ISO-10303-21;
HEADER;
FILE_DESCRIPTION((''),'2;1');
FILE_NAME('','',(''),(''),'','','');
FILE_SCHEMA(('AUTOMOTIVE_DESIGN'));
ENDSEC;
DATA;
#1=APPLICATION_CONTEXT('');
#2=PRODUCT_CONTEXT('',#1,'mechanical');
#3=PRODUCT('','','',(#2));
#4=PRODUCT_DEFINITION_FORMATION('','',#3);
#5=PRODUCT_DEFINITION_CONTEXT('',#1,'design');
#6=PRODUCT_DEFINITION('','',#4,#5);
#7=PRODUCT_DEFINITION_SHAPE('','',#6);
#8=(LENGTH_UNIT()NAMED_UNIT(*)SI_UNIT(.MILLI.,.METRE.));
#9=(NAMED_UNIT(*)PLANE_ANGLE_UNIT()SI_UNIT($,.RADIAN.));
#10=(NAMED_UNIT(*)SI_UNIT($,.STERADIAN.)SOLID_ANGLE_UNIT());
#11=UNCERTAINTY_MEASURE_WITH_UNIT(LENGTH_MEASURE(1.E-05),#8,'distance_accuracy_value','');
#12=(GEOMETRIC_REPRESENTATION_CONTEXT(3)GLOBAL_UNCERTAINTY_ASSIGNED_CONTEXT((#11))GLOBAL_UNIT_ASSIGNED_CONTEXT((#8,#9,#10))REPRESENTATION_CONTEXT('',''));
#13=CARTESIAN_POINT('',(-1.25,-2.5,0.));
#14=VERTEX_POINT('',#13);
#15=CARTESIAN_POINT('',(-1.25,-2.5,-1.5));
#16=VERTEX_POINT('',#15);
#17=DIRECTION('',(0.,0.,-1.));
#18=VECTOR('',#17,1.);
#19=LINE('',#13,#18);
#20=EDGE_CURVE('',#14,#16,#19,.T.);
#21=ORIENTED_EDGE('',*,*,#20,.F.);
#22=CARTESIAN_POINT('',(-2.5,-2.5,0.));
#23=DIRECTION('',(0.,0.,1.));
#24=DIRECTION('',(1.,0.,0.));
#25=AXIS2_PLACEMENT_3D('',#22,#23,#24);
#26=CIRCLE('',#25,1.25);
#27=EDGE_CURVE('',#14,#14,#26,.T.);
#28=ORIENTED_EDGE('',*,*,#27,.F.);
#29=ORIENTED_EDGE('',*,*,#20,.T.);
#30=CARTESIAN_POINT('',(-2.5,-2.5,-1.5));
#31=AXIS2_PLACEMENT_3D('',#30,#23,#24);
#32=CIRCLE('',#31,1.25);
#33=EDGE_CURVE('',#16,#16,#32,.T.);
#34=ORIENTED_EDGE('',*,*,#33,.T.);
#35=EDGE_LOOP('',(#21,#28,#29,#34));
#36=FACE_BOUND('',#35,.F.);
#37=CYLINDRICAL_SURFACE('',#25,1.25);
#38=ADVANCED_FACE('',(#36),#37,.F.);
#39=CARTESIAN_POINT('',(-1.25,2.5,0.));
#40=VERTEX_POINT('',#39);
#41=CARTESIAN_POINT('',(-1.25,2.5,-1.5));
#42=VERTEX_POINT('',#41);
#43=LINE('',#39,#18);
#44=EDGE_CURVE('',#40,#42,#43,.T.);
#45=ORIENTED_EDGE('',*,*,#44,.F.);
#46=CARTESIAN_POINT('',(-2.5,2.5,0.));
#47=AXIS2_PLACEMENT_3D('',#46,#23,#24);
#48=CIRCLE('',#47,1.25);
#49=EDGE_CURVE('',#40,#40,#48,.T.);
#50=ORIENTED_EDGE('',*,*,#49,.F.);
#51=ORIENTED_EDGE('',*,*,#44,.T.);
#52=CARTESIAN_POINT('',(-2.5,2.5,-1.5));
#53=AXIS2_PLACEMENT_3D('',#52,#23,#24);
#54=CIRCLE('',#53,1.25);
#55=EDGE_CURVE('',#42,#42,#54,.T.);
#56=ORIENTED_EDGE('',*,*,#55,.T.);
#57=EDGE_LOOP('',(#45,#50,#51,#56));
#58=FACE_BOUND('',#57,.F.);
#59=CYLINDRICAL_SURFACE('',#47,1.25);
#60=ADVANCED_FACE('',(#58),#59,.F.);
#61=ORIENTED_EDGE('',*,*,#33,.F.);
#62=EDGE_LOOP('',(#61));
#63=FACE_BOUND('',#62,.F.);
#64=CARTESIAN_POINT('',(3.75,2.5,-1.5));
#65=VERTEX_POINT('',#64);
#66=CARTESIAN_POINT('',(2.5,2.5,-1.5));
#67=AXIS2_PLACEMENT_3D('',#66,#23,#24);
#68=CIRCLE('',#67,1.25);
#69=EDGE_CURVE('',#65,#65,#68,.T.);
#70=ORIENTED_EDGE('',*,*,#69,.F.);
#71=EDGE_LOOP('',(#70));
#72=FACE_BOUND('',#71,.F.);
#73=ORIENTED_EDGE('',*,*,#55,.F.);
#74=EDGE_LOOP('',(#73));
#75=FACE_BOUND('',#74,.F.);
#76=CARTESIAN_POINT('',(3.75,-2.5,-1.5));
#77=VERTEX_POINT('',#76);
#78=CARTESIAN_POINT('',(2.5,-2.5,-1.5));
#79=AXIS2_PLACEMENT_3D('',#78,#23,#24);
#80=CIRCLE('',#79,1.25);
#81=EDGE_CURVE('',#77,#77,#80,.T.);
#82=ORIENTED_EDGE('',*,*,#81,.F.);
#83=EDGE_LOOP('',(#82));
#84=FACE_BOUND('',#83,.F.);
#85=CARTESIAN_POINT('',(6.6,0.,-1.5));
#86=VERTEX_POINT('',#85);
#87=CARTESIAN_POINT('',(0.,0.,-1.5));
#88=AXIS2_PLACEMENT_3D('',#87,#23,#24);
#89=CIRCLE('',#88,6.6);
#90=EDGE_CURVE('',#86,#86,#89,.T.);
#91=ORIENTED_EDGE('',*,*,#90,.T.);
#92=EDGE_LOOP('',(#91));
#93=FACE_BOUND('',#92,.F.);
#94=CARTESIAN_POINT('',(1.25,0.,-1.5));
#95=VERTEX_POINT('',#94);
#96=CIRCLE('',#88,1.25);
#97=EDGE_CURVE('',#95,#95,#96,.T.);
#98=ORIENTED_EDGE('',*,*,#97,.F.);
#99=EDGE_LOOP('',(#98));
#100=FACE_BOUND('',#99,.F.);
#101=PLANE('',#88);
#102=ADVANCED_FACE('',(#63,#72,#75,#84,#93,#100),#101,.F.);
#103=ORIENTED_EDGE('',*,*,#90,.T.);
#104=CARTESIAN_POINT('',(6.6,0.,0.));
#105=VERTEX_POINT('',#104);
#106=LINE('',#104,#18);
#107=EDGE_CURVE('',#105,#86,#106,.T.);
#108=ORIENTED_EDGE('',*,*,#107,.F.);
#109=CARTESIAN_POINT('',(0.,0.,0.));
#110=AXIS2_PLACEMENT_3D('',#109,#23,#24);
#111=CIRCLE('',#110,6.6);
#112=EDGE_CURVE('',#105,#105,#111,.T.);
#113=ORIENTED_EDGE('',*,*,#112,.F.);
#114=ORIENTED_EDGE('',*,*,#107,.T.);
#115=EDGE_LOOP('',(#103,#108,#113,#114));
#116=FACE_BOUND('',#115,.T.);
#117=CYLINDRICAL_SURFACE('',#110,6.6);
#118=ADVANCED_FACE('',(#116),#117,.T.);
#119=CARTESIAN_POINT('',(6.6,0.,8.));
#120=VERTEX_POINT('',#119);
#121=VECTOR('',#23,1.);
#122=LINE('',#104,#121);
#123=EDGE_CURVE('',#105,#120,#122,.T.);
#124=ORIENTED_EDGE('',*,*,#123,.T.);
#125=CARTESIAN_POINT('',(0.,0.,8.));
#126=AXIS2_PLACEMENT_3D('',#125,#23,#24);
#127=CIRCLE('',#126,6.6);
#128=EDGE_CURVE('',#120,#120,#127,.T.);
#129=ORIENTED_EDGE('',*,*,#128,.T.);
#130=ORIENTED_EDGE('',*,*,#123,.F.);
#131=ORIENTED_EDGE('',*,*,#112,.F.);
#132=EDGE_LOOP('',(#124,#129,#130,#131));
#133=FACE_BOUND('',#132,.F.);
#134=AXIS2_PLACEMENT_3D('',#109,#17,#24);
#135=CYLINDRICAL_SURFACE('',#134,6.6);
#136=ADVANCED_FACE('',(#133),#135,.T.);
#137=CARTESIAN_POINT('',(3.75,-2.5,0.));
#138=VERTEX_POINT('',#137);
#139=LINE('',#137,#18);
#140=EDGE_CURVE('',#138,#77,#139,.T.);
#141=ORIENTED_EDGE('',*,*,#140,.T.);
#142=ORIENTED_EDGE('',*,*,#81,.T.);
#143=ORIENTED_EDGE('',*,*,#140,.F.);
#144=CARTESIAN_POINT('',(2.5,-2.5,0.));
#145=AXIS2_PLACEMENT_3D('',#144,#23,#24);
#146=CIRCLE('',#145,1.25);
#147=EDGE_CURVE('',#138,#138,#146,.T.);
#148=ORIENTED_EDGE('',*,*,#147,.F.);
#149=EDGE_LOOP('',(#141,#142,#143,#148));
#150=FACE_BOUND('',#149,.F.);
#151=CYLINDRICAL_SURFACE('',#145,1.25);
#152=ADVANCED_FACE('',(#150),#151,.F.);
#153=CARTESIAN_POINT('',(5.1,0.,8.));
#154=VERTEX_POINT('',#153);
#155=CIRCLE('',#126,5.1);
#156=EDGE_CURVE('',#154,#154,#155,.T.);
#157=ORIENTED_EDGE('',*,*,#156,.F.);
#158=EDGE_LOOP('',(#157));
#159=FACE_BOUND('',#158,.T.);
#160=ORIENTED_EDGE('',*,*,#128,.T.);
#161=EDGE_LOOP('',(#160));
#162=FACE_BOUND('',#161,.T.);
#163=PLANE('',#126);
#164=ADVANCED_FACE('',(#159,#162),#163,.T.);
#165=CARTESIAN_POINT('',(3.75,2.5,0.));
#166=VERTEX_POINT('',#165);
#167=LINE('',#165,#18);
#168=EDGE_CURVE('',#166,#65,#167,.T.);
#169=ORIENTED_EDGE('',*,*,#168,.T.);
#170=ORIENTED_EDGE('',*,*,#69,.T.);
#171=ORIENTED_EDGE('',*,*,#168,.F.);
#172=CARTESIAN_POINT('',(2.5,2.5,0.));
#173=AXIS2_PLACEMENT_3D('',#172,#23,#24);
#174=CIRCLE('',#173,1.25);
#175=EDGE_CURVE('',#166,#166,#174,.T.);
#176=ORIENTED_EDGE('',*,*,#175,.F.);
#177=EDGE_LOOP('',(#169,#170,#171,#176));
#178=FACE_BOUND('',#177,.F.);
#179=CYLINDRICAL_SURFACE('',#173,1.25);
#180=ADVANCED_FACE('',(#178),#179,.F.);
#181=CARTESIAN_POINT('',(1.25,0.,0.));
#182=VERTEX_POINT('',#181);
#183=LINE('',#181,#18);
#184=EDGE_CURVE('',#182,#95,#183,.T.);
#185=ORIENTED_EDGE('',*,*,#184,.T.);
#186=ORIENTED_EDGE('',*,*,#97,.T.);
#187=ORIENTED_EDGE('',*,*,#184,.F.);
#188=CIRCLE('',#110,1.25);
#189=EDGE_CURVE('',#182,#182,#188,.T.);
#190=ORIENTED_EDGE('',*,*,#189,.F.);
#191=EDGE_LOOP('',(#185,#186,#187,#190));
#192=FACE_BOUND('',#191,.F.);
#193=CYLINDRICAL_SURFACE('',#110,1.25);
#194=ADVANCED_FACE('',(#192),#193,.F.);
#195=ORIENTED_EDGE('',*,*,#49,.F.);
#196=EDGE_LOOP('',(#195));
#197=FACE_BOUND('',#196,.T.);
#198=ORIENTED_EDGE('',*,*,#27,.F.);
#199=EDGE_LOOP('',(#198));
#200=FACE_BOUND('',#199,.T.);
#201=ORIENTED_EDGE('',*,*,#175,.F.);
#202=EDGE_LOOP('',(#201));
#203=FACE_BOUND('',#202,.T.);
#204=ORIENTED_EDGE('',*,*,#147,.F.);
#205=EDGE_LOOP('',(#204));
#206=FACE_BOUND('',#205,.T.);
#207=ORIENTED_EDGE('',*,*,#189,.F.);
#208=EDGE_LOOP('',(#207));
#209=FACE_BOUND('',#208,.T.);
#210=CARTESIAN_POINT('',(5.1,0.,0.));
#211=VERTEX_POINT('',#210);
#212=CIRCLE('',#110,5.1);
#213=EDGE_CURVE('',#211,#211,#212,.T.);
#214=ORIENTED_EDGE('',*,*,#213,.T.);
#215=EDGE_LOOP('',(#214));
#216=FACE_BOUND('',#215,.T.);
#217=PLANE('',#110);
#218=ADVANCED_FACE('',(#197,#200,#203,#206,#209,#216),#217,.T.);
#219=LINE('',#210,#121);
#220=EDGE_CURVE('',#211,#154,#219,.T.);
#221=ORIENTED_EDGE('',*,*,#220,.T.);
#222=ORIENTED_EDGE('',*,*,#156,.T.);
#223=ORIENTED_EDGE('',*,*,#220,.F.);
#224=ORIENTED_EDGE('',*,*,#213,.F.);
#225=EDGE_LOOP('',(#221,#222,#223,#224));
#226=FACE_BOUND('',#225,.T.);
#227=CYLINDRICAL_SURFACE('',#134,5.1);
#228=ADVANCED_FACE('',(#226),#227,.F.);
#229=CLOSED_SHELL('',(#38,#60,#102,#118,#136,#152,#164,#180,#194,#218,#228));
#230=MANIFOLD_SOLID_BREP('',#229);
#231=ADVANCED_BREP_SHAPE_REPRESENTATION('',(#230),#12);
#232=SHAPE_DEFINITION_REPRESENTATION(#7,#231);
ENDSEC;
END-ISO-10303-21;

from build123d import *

# Parameters (mm, degrees)
F0_R     = 6.6
F0_R_2   = 5.1
F0_R_3   = 1.25
F1_DEPTH = 1.5
F2_DEPTH = 8


with BuildPart() as f1:
    # F0 (on Top) → F1 (new body)
    with BuildSketch(Plane.XY):
        Circle(F0_R)
        Circle(F0_R_2, mode=Mode.SUBTRACT)
        Circle(F0_R_2)
        with Locations((-2.5, -2.5)):
            Circle(F0_R_3, mode=Mode.SUBTRACT)
        with Locations((2.5, -2.5)):
            Circle(F0_R_3, mode=Mode.SUBTRACT)
        with Locations((-2.5, 2.5)):
            Circle(F0_R_3, mode=Mode.SUBTRACT)
        Circle(F0_R_3, mode=Mode.SUBTRACT)
        with Locations((2.5, 2.5)):
            Circle(F0_R_3, mode=Mode.SUBTRACT)
    extrude(amount=-F1_DEPTH)

    # F0 (on Top) → F2 (join)
    with BuildSketch(Plane.XY):
        Circle(F0_R)
        Circle(F0_R_2, mode=Mode.SUBTRACT)
    extrude(amount=F2_DEPTH)


solid = f1.part
